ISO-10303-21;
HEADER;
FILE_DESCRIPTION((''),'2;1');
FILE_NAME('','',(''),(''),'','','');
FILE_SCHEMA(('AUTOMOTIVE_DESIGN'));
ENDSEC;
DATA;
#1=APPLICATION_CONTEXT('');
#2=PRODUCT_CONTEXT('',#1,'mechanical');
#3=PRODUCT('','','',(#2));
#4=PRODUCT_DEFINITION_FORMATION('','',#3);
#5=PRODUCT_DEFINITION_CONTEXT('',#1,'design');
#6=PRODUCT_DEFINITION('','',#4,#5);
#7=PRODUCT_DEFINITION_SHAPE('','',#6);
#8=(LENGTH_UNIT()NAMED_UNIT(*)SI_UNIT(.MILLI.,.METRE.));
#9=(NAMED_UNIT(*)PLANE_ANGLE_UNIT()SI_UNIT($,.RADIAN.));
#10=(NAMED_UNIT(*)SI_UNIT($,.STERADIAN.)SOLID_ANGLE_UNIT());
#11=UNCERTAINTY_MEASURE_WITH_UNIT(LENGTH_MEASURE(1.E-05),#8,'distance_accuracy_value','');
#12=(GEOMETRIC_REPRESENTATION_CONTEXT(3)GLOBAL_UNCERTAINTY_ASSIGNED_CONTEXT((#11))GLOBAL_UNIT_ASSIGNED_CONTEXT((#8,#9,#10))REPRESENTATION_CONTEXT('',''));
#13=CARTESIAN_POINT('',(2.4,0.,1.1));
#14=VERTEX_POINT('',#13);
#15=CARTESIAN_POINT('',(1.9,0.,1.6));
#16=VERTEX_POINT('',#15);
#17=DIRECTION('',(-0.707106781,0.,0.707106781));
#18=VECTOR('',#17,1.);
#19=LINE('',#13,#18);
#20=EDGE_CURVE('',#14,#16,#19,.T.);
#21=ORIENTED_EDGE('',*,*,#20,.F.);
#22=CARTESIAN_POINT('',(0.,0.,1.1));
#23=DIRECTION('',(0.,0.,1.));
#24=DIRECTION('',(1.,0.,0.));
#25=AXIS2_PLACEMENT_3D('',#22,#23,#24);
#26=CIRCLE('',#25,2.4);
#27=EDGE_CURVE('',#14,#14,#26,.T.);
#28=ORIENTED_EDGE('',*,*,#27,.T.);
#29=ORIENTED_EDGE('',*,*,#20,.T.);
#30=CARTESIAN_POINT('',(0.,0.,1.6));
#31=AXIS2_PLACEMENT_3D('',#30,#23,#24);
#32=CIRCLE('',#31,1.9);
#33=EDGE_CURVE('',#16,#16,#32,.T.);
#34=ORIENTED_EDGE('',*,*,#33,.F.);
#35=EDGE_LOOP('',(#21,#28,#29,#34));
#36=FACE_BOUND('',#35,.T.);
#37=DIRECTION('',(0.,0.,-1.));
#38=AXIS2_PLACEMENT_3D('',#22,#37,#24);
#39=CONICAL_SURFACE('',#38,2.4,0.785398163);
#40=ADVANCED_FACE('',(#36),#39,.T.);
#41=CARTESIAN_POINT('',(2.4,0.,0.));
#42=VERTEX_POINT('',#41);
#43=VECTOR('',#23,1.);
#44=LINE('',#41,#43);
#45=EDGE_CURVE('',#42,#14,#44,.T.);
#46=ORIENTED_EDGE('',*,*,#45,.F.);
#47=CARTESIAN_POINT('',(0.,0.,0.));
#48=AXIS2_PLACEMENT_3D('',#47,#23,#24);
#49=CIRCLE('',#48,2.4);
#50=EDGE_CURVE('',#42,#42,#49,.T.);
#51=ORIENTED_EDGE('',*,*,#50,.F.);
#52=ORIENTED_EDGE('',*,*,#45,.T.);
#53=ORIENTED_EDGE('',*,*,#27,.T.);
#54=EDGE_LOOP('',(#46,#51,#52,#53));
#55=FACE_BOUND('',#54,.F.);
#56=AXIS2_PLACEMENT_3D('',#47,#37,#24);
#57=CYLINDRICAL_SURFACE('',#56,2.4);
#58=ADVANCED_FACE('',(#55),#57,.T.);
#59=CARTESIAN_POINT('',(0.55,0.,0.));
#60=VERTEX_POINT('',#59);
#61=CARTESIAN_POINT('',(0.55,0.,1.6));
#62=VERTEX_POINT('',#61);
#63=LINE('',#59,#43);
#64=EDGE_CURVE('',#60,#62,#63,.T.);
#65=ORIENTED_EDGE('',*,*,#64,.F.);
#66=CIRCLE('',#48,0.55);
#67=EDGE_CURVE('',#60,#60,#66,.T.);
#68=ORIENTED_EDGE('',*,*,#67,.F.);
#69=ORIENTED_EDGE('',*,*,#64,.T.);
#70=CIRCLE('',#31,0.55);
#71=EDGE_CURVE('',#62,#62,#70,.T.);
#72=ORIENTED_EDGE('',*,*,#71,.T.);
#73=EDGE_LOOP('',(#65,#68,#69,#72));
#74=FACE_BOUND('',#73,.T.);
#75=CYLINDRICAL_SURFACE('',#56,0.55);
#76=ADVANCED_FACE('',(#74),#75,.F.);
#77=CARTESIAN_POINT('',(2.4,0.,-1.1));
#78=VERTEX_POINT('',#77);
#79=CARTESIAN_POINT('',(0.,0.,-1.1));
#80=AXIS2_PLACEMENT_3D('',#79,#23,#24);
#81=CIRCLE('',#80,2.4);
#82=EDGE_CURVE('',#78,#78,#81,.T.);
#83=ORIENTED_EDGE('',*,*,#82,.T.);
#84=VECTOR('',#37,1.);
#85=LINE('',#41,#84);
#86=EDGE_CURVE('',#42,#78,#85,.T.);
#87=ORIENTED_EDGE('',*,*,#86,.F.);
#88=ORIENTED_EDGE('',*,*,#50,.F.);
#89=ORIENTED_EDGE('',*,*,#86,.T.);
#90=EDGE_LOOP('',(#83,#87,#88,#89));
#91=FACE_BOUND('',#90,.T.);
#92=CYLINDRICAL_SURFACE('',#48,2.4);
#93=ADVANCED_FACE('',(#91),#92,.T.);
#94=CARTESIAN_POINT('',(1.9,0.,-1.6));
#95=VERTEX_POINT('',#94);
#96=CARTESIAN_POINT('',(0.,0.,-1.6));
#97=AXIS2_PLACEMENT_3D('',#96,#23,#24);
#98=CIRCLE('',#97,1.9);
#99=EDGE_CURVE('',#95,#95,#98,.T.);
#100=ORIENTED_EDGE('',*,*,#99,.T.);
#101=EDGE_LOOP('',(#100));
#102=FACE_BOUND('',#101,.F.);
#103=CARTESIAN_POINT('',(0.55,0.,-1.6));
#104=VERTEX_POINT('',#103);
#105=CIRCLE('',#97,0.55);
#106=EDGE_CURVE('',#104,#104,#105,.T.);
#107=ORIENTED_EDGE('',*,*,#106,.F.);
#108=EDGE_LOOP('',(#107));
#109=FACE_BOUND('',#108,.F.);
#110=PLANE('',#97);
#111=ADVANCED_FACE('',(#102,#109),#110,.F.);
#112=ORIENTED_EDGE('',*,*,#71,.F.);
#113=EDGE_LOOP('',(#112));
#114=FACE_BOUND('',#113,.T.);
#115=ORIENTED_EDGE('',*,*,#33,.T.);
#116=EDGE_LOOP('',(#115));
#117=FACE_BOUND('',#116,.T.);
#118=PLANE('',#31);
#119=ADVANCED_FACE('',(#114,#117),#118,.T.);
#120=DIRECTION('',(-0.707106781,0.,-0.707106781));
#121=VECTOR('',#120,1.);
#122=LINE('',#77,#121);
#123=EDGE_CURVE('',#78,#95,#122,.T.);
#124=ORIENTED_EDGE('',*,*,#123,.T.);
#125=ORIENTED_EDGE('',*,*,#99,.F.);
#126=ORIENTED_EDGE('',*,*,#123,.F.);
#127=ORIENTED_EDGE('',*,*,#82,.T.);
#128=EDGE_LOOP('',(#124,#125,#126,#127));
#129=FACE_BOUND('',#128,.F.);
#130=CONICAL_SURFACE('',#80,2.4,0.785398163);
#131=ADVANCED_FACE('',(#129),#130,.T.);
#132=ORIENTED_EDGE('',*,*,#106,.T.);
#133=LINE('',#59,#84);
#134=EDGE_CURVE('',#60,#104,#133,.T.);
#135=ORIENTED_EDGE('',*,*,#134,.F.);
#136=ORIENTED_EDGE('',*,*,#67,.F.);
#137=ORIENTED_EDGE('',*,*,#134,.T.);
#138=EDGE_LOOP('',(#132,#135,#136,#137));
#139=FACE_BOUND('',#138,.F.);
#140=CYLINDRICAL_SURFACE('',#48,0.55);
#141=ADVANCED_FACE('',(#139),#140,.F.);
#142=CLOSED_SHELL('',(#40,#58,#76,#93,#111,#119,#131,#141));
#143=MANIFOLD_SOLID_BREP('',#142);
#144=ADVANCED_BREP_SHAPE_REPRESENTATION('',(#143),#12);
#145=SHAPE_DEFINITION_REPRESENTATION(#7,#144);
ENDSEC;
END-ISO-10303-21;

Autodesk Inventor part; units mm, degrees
ref_plane "YZ Plane" through (0, 0, 0) normal (1, 0, 0) x (0, 1, 0)
ref_plane "XZ Plane" through (0, 0, 0) normal (0, 1, 0) x (-1, 0, 0)
ref_plane "XY Plane" through (0, 0, 0) normal (0, 0, 1) x (1, 0, 0)
sketch "Sketch1" plane through (0, 0, 0) normal (0, 0, 1) x (1, 0, 0)
  circle A0 centre (0, 0) radius 2.4
  circle A1 centre (0, 0) radius 0.55
  dimension "d0" = 4.8
  dimension "d1" = 1.1
extrude "Extrusion1" add sketch "Sketch1" along normal mid plane 3.2
chamfer "Chamfer1" distance 0.5 angle 45 2 edges at (-2.4, 0, -1.6) (-2.4, 0, 1.6)
properties material "Acetal Resin, Black"
